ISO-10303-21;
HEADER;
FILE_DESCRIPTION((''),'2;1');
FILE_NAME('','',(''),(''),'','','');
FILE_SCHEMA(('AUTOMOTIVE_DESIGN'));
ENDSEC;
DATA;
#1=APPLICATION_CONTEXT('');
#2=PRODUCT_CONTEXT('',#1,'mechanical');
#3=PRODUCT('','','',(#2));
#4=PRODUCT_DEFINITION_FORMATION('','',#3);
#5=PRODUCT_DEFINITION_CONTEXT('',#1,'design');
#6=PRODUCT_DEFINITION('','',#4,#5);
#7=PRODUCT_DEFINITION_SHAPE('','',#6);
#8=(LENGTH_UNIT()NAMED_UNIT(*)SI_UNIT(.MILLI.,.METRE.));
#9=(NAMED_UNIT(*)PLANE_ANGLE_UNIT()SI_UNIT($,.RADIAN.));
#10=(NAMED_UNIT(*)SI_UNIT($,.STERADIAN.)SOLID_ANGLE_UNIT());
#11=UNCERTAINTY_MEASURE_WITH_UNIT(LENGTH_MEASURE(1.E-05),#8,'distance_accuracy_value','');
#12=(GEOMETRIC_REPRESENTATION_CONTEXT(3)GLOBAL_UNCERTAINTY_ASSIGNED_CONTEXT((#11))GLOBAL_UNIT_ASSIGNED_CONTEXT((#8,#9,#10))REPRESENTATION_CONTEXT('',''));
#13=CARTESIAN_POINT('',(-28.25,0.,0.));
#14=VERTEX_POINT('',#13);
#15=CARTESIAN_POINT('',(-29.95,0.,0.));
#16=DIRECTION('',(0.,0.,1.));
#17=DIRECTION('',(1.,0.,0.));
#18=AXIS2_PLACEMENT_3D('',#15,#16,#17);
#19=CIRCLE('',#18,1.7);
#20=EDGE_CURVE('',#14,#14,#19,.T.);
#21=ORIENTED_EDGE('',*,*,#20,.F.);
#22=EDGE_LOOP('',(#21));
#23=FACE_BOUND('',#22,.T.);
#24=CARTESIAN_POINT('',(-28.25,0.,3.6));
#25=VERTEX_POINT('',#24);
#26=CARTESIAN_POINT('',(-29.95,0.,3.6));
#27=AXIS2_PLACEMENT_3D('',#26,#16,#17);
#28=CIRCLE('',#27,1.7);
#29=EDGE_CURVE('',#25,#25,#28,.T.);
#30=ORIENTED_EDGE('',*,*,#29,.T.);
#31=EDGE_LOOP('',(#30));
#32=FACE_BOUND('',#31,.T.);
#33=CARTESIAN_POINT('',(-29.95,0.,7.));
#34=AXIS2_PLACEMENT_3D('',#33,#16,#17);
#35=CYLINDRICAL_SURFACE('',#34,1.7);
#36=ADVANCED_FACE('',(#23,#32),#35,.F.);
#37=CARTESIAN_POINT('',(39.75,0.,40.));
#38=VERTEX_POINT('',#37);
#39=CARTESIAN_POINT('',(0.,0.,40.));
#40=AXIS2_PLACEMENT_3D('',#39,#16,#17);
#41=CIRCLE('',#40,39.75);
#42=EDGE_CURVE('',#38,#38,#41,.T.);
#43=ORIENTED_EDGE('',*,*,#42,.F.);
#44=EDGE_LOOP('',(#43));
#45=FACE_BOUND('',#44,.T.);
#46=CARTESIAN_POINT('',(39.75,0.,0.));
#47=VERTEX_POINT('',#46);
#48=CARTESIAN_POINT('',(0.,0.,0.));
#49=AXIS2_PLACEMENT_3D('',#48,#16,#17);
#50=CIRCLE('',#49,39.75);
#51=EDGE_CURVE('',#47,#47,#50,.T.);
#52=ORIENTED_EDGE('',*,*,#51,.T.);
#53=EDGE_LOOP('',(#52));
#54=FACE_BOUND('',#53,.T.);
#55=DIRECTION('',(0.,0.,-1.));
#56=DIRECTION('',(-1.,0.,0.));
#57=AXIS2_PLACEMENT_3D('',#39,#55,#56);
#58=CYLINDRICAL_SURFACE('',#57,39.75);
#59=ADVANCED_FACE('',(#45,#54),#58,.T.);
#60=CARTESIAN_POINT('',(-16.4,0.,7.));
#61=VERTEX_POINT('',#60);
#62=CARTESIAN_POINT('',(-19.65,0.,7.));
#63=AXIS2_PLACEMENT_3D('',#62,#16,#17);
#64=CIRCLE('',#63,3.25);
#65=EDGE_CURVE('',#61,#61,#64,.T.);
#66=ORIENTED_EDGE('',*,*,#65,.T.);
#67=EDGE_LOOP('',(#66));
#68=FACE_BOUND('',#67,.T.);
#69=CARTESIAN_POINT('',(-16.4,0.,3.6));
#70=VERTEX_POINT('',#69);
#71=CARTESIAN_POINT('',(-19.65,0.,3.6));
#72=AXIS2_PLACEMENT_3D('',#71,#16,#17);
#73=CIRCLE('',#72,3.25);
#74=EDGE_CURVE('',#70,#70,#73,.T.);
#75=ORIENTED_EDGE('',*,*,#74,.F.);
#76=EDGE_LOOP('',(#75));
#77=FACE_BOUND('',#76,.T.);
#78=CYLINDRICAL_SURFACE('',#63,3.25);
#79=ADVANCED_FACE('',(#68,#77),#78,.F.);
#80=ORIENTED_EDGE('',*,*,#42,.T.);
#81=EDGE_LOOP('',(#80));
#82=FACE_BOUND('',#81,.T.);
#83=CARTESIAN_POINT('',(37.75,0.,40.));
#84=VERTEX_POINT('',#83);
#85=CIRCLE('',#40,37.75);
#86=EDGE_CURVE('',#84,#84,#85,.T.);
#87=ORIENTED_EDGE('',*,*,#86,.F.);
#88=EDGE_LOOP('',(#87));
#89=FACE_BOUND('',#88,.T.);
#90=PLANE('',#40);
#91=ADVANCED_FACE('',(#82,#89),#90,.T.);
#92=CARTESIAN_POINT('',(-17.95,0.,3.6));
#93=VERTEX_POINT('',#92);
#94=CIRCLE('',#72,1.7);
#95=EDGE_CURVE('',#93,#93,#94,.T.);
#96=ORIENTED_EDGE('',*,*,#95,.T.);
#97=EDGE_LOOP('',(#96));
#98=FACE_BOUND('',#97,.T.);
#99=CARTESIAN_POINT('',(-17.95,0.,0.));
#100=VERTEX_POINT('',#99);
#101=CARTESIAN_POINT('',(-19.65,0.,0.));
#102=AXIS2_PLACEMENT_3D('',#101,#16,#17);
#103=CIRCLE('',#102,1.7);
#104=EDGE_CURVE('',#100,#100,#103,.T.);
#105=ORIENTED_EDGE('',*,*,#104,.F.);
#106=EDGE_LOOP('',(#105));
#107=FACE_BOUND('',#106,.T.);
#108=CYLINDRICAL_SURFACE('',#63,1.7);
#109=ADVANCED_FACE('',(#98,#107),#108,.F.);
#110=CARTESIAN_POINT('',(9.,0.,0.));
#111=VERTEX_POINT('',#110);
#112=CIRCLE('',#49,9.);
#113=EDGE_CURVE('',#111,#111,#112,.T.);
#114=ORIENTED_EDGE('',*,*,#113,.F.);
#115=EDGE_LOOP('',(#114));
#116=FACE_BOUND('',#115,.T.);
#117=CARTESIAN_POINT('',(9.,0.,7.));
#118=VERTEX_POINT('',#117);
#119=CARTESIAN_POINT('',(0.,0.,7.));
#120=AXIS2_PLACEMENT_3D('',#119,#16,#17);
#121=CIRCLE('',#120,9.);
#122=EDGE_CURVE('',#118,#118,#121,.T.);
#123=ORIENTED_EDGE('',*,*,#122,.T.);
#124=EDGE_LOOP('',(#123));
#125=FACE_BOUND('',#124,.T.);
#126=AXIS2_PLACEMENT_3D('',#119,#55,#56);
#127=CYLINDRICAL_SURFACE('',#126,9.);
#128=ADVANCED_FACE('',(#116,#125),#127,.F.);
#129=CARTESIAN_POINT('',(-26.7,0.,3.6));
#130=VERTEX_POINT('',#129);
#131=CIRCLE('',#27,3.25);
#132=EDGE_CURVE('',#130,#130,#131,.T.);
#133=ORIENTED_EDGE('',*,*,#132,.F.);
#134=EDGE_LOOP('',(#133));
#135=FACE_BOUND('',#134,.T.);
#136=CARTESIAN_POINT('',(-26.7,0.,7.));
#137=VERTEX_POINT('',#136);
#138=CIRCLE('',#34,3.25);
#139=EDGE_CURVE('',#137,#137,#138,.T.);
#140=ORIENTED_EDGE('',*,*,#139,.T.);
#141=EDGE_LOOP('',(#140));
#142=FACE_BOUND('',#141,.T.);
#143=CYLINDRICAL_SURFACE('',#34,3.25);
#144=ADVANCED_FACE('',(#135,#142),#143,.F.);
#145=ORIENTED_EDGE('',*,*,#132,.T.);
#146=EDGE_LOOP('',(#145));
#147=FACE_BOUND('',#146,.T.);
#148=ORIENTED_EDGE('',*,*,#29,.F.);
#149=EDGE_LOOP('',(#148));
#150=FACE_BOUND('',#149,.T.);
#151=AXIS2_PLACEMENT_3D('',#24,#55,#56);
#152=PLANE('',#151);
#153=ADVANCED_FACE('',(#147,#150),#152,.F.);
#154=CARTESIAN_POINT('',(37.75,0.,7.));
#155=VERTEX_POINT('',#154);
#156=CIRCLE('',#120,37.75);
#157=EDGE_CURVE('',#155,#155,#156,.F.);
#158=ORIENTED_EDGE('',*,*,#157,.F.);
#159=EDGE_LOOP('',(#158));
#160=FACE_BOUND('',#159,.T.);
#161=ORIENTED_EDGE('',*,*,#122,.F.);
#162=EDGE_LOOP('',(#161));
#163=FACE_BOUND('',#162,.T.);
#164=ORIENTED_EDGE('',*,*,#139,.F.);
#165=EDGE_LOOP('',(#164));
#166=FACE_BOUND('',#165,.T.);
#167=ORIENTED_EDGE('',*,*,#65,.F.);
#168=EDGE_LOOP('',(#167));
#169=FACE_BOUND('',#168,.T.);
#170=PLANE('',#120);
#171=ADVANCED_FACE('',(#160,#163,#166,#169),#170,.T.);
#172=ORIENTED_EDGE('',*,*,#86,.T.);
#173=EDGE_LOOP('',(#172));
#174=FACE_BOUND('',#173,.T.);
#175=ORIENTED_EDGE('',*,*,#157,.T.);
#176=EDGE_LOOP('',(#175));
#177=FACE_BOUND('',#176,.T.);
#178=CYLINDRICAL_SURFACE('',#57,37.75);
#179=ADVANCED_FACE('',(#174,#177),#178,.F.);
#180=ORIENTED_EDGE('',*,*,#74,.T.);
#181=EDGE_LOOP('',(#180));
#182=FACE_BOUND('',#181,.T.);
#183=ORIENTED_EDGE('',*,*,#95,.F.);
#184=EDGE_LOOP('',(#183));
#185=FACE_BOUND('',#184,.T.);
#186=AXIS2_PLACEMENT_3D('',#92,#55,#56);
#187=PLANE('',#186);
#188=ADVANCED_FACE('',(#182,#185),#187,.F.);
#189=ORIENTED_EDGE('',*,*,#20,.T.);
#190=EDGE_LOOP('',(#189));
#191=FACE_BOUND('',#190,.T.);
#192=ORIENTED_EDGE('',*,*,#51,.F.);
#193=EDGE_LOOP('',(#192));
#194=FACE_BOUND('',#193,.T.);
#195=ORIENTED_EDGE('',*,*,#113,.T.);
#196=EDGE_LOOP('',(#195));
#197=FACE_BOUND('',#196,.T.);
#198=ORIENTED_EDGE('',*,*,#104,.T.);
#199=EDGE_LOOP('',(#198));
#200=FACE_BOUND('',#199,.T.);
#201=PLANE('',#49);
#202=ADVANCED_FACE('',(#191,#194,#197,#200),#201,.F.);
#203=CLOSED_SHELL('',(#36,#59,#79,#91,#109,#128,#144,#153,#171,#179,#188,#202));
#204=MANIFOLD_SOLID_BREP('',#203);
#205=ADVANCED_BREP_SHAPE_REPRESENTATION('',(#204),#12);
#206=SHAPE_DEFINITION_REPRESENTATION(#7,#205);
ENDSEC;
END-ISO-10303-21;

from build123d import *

# Parameters (mm, degrees)
SKETCH1_R                                       = 37.75
SKETCH1_R_2                                     = 9
BOSS_EXTRUDE1_DEPTH                             = 7
SKETCH1_5_R                                     = 39.75
SKETCH1_5_R_2                                   = 37.75
BOSS_EXTRUDE2_DEPTH                             = 40
CBORE_FOR_M3_SOCKET_HEAD_CAP_SCREW1_D           = 3.4
CBORE_FOR_M3_SOCKET_HEAD_CAP_SCREW1_CBORE_D     = 6.5
CBORE_FOR_M3_SOCKET_HEAD_CAP_SCREW1_CBORE_DEPTH = 3.4


with BuildPart() as part:
    # Sketch1 → Boss-Extrude1 (new body)
    with BuildSketch(Plane.XY):
        Circle(SKETCH1_R)
        Circle(SKETCH1_R_2, mode=Mode.SUBTRACT)
    extrude(amount=BOSS_EXTRUDE1_DEPTH)

    # Sketch1<5> → Boss-Extrude2 (add)
    with BuildSketch(Plane.XY):
        Circle(SKETCH1_5_R)
        Circle(SKETCH1_5_R_2, mode=Mode.SUBTRACT)
    extrude(amount=BOSS_EXTRUDE2_DEPTH)

    # CBORE for M3 Socket Head Cap Screw1 (through all)
    with Locations(Plane(origin=(-29.95, 0, 7), x_dir=(1, 0, 0), z_dir=(0, 0, 1))):
        with Locations((0, 0), (10.3, 0)):
            CounterBoreHole(CBORE_FOR_M3_SOCKET_HEAD_CAP_SCREW1_D / 2, CBORE_FOR_M3_SOCKET_HEAD_CAP_SCREW1_CBORE_D / 2, CBORE_FOR_M3_SOCKET_HEAD_CAP_SCREW1_CBORE_DEPTH)


solid = part.part
